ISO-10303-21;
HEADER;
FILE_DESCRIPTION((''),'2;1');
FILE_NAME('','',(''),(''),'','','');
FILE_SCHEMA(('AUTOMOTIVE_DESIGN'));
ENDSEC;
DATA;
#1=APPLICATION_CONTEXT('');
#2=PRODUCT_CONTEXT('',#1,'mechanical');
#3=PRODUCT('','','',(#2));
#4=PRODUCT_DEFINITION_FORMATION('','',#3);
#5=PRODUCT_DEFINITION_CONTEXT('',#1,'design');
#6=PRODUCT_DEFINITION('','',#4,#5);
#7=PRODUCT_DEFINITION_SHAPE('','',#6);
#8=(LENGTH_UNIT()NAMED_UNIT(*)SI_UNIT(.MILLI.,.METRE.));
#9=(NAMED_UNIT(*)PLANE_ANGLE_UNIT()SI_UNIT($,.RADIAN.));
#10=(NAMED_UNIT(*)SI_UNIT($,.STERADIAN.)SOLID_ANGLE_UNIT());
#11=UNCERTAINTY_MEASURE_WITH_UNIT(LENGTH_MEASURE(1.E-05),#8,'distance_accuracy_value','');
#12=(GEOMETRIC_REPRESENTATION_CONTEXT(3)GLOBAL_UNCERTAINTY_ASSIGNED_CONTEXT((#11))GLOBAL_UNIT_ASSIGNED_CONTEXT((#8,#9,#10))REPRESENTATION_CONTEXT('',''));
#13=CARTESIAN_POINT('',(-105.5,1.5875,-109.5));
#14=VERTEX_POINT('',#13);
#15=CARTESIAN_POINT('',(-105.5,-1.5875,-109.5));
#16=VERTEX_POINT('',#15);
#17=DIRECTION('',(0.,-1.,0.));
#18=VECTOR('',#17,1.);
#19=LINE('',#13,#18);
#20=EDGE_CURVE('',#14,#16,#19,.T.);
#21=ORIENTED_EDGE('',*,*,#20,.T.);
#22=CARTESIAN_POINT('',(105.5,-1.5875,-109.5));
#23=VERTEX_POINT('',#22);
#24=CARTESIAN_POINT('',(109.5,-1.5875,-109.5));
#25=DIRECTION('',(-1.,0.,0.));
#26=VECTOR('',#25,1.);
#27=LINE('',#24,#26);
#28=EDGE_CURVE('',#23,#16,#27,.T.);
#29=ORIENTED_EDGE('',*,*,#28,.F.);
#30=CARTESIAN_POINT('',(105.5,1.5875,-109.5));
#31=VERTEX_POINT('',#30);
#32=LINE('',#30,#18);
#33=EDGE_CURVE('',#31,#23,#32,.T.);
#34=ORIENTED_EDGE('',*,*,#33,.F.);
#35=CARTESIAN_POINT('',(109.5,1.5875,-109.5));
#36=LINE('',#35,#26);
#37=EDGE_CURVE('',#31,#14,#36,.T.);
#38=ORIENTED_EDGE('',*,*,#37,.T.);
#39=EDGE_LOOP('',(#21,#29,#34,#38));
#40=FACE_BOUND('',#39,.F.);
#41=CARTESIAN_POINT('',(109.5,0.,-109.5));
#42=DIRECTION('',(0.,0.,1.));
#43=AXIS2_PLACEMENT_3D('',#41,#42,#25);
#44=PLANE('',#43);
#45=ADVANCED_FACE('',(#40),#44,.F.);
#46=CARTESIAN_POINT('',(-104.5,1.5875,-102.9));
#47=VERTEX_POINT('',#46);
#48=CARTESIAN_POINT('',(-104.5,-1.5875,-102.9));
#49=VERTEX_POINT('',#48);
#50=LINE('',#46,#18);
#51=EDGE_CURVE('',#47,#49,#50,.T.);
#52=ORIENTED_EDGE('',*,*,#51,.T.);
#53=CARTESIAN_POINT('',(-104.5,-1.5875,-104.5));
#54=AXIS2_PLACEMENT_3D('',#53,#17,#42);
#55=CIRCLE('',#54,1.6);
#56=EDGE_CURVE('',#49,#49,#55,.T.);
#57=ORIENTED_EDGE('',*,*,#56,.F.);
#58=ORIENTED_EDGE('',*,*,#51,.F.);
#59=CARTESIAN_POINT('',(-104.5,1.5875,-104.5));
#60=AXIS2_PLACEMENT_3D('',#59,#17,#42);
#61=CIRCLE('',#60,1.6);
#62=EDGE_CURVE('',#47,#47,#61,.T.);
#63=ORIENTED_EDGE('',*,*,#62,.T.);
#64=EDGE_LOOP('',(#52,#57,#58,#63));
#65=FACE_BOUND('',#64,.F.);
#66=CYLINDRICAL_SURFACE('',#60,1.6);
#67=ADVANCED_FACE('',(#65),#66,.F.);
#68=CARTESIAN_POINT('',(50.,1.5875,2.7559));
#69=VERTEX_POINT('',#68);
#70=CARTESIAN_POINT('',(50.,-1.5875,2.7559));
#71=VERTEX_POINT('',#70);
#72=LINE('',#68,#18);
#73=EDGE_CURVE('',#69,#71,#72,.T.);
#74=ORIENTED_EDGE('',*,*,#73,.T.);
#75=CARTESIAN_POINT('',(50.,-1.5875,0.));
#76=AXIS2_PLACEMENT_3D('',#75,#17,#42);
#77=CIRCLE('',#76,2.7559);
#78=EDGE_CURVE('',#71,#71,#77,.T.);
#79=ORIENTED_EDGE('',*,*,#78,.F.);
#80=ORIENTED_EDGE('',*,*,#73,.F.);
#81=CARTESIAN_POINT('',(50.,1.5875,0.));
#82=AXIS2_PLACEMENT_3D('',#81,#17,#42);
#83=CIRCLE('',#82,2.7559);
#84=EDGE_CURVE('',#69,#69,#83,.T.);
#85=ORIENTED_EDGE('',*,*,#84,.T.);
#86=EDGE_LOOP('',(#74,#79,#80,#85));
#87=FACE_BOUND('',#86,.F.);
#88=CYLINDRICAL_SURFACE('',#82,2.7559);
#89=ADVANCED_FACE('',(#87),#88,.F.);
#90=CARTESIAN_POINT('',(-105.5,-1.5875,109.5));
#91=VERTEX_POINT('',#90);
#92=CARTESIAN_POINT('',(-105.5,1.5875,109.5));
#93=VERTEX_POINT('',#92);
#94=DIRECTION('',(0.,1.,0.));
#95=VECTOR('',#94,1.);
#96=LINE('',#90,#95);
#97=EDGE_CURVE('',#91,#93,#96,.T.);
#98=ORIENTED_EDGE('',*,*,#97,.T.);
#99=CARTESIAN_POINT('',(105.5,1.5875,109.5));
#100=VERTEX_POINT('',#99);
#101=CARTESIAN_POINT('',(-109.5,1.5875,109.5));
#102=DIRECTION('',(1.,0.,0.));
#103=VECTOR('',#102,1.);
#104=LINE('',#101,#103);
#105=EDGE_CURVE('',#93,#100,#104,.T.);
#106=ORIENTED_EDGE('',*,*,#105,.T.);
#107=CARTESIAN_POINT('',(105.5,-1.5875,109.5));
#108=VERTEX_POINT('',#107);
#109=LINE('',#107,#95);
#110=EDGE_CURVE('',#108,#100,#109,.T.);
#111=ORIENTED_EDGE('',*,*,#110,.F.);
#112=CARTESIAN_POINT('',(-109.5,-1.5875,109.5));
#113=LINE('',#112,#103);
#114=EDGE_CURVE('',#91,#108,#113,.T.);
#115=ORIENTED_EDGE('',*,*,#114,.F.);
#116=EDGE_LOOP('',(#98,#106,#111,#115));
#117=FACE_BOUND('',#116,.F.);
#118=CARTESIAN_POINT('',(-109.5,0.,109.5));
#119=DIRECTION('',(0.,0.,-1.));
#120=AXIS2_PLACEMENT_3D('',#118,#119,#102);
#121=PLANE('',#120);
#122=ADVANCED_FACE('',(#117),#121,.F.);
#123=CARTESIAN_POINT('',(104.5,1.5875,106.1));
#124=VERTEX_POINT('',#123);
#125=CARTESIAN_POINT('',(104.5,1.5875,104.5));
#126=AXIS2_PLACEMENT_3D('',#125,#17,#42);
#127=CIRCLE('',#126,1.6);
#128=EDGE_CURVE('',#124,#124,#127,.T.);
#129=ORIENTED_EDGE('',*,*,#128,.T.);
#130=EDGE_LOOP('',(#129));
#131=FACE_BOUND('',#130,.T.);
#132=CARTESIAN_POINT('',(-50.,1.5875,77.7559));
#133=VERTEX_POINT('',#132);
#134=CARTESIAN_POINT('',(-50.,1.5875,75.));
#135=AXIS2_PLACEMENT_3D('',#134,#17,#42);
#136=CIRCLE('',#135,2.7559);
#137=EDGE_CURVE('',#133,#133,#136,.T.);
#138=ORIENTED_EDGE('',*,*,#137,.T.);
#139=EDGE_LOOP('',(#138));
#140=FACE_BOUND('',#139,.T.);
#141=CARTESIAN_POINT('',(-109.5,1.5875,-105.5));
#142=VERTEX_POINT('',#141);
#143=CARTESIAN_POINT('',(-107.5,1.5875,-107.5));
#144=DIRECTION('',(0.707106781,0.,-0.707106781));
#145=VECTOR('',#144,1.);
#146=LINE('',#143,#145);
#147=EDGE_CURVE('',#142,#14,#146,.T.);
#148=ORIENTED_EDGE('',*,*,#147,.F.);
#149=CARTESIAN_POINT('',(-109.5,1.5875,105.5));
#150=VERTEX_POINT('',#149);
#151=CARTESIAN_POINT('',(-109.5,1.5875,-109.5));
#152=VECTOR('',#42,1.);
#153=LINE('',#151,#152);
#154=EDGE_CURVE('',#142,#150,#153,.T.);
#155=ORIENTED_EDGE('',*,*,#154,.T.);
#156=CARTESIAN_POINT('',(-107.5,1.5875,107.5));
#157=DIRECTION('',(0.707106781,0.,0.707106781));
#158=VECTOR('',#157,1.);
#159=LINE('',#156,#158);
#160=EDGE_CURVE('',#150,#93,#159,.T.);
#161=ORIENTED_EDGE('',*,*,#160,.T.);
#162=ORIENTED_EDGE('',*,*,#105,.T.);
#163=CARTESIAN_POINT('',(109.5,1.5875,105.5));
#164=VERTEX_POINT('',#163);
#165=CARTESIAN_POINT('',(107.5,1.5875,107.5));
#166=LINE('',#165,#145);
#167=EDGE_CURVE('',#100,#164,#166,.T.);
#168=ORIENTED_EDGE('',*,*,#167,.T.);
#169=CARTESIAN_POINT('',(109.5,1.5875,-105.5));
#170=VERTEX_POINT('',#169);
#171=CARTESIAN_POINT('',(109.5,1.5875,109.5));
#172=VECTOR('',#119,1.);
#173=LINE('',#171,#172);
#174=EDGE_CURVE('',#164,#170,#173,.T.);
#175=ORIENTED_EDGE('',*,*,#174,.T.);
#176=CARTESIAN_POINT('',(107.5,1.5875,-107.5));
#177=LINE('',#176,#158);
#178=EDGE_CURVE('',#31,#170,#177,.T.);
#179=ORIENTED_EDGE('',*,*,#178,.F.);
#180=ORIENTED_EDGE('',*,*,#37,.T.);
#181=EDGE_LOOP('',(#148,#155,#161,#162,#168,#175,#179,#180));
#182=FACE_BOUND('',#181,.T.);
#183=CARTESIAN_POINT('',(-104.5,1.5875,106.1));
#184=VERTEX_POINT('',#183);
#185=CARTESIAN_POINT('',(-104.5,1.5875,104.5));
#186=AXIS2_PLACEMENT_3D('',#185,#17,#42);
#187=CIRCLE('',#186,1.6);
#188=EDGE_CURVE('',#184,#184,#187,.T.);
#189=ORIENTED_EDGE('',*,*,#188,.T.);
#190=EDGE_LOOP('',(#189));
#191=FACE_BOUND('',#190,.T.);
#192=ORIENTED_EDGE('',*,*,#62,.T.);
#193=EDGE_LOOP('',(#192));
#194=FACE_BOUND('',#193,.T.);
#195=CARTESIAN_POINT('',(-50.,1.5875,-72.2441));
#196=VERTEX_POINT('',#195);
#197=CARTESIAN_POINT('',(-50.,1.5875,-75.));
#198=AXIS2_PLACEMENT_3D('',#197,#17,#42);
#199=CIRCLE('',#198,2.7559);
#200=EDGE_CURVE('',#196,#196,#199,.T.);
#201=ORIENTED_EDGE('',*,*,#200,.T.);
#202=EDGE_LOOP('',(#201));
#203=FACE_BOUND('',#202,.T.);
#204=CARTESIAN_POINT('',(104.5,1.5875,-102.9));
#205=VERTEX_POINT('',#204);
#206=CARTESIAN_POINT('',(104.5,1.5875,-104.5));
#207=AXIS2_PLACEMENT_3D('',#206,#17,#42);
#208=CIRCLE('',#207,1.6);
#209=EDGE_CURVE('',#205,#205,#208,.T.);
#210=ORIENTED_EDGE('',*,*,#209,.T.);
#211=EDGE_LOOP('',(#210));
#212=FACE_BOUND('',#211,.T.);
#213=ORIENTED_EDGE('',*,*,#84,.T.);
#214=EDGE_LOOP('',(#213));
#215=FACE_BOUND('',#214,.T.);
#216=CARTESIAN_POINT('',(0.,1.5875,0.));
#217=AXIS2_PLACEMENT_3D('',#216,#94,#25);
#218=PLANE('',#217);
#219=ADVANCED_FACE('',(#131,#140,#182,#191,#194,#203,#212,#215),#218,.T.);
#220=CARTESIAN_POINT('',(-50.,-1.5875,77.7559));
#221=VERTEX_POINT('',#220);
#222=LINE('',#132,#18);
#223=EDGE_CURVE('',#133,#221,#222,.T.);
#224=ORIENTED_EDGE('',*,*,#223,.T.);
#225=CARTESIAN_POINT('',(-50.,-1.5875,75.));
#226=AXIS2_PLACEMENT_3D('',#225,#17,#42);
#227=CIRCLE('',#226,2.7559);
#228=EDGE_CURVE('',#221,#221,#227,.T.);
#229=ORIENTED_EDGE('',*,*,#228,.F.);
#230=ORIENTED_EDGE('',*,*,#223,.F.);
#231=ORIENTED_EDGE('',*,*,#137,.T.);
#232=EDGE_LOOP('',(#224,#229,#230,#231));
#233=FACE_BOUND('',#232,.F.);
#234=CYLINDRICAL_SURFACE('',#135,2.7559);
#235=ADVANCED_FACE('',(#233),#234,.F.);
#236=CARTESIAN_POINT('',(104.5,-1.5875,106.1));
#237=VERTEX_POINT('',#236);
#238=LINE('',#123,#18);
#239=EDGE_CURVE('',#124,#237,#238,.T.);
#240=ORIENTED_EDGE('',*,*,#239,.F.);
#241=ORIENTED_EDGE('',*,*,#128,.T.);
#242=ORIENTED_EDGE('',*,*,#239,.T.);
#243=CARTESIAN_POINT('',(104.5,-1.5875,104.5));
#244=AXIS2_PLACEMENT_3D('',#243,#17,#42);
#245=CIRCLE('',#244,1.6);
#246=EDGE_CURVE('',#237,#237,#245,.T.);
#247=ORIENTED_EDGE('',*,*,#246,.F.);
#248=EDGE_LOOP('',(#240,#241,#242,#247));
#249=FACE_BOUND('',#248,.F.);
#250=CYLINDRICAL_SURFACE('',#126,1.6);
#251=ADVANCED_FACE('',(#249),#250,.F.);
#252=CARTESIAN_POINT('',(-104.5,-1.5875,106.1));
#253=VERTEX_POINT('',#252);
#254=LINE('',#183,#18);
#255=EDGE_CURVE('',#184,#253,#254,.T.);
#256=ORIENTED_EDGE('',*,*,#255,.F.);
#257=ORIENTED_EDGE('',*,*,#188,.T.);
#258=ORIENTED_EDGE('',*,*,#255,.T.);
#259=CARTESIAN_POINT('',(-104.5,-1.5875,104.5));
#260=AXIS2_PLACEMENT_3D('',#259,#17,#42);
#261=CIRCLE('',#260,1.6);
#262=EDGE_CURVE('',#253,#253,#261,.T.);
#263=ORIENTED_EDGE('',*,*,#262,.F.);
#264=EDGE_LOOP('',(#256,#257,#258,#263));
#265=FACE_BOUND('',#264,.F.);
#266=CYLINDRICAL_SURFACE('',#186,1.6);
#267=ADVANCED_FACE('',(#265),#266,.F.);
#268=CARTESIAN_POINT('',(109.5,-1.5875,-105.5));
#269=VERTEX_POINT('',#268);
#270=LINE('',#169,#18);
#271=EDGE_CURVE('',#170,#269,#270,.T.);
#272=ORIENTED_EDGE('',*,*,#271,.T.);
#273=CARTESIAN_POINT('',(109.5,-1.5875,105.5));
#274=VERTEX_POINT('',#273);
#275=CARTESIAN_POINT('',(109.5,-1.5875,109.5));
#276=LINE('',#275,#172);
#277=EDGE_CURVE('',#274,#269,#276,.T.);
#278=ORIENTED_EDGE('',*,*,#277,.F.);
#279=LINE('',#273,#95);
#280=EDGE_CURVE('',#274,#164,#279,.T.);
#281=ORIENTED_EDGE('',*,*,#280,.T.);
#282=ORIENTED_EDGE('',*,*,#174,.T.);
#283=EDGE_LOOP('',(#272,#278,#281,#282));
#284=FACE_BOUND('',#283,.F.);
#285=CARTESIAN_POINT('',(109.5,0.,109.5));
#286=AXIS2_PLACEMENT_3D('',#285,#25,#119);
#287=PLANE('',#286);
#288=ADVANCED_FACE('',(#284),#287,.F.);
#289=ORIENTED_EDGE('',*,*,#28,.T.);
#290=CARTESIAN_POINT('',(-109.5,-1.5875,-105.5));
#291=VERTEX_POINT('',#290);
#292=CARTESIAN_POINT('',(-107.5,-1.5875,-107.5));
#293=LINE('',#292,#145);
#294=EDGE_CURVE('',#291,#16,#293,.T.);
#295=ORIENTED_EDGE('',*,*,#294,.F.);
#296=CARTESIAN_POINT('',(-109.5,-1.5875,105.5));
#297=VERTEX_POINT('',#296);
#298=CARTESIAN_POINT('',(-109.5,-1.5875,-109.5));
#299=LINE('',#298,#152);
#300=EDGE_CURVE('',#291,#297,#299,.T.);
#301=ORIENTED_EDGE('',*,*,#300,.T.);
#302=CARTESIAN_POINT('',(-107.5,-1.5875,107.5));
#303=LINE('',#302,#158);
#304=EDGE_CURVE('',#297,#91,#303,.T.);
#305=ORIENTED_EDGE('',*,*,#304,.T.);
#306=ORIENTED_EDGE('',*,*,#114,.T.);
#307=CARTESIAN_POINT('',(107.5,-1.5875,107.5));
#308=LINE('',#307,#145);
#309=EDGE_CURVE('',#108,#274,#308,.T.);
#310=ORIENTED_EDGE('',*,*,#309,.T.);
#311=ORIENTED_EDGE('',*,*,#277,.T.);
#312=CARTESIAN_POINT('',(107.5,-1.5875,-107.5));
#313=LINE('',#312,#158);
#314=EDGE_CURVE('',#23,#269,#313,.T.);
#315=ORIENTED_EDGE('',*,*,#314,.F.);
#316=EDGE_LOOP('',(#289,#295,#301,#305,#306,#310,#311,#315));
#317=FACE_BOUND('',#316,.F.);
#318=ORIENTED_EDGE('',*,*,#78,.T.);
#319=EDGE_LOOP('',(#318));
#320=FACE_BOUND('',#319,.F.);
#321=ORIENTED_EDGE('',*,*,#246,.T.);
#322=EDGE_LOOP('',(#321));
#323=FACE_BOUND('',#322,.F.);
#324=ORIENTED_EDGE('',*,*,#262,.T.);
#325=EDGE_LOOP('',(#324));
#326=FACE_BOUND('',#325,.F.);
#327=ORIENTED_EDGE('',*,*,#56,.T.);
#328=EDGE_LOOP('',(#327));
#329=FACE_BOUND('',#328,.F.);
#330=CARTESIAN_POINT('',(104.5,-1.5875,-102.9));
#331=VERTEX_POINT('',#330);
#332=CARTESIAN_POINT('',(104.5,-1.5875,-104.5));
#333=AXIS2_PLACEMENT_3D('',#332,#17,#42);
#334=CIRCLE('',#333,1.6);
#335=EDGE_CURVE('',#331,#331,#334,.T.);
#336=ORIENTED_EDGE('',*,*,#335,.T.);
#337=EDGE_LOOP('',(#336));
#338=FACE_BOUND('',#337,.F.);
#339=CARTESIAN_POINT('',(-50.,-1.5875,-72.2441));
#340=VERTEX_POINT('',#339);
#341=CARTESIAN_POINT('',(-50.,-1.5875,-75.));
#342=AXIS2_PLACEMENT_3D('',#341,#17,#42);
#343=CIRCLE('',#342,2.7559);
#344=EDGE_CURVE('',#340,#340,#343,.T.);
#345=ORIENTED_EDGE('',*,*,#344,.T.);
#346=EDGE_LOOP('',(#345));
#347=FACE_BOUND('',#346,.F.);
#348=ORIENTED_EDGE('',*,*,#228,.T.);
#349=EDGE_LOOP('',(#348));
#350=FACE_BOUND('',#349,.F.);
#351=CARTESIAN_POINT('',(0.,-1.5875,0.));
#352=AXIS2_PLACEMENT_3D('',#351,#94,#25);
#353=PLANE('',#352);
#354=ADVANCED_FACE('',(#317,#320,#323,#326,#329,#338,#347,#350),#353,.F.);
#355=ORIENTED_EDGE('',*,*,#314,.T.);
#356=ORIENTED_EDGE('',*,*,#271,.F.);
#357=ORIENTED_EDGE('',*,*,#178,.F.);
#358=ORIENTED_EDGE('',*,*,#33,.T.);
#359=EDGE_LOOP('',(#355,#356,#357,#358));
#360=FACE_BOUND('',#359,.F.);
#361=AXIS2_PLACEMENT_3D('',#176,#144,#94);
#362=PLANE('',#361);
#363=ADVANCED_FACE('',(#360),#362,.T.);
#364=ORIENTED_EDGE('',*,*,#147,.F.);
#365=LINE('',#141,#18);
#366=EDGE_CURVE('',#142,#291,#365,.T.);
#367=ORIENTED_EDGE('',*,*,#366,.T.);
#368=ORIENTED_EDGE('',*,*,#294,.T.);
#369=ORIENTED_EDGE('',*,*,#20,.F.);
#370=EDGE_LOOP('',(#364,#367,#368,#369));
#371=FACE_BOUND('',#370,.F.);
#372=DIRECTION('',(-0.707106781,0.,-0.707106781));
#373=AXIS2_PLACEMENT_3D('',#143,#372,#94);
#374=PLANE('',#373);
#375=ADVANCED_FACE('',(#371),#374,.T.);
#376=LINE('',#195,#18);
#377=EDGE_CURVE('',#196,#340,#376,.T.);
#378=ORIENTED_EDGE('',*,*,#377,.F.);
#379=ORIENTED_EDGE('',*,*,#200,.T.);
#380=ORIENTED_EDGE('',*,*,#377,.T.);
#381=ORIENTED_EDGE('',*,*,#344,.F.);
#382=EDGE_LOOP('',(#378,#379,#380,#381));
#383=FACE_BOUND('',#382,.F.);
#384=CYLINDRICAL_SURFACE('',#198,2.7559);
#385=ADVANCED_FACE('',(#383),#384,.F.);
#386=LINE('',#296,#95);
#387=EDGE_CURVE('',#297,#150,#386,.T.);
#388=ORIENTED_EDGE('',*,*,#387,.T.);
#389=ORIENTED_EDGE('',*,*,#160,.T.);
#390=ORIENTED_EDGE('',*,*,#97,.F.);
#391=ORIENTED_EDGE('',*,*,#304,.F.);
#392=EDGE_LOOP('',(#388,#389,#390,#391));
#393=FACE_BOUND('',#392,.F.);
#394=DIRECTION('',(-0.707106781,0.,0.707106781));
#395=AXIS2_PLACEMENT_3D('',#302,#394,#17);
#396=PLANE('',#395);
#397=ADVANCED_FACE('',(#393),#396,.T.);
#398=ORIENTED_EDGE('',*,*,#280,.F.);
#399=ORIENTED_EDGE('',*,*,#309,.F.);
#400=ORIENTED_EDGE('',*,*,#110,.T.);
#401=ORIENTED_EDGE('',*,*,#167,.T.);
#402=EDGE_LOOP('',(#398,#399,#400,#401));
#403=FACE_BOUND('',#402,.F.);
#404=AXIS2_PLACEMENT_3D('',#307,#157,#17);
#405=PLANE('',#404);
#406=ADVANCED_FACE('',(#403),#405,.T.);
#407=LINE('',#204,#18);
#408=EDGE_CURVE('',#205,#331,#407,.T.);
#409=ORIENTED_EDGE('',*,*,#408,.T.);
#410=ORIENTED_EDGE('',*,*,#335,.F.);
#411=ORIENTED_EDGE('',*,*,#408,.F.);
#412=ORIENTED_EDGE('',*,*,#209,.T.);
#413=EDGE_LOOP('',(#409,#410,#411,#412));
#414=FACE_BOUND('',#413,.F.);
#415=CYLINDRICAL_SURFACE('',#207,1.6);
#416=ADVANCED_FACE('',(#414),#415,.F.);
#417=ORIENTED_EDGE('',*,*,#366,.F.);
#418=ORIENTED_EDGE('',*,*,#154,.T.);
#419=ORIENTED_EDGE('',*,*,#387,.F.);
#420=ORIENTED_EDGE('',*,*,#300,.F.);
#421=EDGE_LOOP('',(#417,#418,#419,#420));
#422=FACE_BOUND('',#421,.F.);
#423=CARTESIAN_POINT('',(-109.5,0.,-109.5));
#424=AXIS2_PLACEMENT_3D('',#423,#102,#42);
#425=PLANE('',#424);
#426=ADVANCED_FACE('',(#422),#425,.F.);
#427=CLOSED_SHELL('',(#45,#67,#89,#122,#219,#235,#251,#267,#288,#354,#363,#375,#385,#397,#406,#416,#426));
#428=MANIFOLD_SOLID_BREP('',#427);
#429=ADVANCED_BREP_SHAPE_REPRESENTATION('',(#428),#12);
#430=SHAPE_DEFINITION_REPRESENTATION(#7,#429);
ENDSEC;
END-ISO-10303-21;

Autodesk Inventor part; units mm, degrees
ref_plane "YZ Plane" through (0, 0, 0) normal (1, 0, 0) x (0, 1, 0)
ref_plane "XZ Plane" through (0, 0, 0) normal (0, 1, 0) x (-1, 0, 0)
ref_plane "XY Plane" through (0, 0, 0) normal (0, 0, 1) x (1, 0, 0)
sketch "Sketch1" plane through (0, 0, 0) normal (0, 1, 0) x (-1, 0, 0)
  line L0 (109.5, 109.5) -> (-109.5, 109.5)
  line L1 (-109.5, 109.5) -> (-109.5, -109.5)
  line L2 (-109.5, -109.5) -> (109.5, -109.5)
  line L3 (109.5, -109.5) -> (109.5, 109.5)
  line L4 (109.5, 109.5) -> (-109.5, -109.5) construction
  line L5 (-109.5, 109.5) -> (109.5, -109.5) construction
  point P0 (0, 0)
  dimension "d0" = 219
extrude "Extrusion1" add sketch "Sketch1" along normal mid plane 3.175
chamfer "Chamfer1" distance 4 angle 45 4 edges at (-109.5, 0, 109.5) (-109.5, 0, -109.5) (109.5, 0, -109.5) (109.5, 0, 109.5)
sketch "Sketch3" plane through (0, 1.5875, 0) normal (0, 1, 0) x (1, 0, 0)
  line L0 (-104.5, -104.5) -> (104.5, -104.5) construction
  line L1 (104.5, -104.5) -> (104.5, 104.5) construction
  line L2 (104.5, 104.5) -> (-104.5, 104.5) construction
  line L3 (-104.5, 104.5) -> (-104.5, -104.5) construction
  line L4 (-104.5, -104.5) -> (104.5, 104.5) construction
  line L5 (104.5, -104.5) -> (-104.5, 104.5) construction
  line L6 (-78.5, 50) -> (-46.5, 50) construction
  line L7 (-78.5, -50) -> (-46.5, -50) construction
  line L8 (46.5, 0) -> (78.5, 0) construction
  point P0 (0, 0)
  point P1 (0, 0)
  dimension "d16" = 209
  dimension "d17" = 209
  dimension "d18" = 32
  dimension "d20" = 46.5
  dimension "d21" = 46.5
  dimension "d22" = 100
  dimension "d23" = 50
  dimension "d24" = 93
hole "Hole1" at (-104.5, 1.5875, -104.5) at (104.5, 1.5875, -104.5) at (104.5, 1.5875, 104.5) at (-104.5, 1.5875, 104.5) direction (0, -1, 0) diameter 3.2 end through all
sketch "Sketch4" plane through (0, 1.5875, 0) normal (0, 1, 0) x (1, 0, 0)
  line L0 (1.5, 22.5) -> (1.5, -22.5)
  line L1 (-109.5, 105.5) -> (-109.5, -105.5) projected
  point P0 (0, 0)
  point P1 (1.5, 0)
  point P2 (-50, 75)
  point P3 (50, 0)
  point P4 (-50, -75)
  dimension "d38" = 45
  dimension "d39" = 111
  dimension "d52" = 150
  dimension "d53" = 75
  dimension "d54" = 100
  dimension "d55" = 50
hole "Hole2" at (-50, 1.5875, 75) at (-50, 1.5875, -75) at (50, 1.5875, 0) direction (0, -1, 0) diameter 5.5118 depth 6.4 clearance for "Flat Head Machine Screw" size "M5" standard "Ansi Metric M Profile"
equation "\"d21\" = d20"
properties part number "Y-Carriage_Plate_LM3033_v2" material "Aluminum 6061"
